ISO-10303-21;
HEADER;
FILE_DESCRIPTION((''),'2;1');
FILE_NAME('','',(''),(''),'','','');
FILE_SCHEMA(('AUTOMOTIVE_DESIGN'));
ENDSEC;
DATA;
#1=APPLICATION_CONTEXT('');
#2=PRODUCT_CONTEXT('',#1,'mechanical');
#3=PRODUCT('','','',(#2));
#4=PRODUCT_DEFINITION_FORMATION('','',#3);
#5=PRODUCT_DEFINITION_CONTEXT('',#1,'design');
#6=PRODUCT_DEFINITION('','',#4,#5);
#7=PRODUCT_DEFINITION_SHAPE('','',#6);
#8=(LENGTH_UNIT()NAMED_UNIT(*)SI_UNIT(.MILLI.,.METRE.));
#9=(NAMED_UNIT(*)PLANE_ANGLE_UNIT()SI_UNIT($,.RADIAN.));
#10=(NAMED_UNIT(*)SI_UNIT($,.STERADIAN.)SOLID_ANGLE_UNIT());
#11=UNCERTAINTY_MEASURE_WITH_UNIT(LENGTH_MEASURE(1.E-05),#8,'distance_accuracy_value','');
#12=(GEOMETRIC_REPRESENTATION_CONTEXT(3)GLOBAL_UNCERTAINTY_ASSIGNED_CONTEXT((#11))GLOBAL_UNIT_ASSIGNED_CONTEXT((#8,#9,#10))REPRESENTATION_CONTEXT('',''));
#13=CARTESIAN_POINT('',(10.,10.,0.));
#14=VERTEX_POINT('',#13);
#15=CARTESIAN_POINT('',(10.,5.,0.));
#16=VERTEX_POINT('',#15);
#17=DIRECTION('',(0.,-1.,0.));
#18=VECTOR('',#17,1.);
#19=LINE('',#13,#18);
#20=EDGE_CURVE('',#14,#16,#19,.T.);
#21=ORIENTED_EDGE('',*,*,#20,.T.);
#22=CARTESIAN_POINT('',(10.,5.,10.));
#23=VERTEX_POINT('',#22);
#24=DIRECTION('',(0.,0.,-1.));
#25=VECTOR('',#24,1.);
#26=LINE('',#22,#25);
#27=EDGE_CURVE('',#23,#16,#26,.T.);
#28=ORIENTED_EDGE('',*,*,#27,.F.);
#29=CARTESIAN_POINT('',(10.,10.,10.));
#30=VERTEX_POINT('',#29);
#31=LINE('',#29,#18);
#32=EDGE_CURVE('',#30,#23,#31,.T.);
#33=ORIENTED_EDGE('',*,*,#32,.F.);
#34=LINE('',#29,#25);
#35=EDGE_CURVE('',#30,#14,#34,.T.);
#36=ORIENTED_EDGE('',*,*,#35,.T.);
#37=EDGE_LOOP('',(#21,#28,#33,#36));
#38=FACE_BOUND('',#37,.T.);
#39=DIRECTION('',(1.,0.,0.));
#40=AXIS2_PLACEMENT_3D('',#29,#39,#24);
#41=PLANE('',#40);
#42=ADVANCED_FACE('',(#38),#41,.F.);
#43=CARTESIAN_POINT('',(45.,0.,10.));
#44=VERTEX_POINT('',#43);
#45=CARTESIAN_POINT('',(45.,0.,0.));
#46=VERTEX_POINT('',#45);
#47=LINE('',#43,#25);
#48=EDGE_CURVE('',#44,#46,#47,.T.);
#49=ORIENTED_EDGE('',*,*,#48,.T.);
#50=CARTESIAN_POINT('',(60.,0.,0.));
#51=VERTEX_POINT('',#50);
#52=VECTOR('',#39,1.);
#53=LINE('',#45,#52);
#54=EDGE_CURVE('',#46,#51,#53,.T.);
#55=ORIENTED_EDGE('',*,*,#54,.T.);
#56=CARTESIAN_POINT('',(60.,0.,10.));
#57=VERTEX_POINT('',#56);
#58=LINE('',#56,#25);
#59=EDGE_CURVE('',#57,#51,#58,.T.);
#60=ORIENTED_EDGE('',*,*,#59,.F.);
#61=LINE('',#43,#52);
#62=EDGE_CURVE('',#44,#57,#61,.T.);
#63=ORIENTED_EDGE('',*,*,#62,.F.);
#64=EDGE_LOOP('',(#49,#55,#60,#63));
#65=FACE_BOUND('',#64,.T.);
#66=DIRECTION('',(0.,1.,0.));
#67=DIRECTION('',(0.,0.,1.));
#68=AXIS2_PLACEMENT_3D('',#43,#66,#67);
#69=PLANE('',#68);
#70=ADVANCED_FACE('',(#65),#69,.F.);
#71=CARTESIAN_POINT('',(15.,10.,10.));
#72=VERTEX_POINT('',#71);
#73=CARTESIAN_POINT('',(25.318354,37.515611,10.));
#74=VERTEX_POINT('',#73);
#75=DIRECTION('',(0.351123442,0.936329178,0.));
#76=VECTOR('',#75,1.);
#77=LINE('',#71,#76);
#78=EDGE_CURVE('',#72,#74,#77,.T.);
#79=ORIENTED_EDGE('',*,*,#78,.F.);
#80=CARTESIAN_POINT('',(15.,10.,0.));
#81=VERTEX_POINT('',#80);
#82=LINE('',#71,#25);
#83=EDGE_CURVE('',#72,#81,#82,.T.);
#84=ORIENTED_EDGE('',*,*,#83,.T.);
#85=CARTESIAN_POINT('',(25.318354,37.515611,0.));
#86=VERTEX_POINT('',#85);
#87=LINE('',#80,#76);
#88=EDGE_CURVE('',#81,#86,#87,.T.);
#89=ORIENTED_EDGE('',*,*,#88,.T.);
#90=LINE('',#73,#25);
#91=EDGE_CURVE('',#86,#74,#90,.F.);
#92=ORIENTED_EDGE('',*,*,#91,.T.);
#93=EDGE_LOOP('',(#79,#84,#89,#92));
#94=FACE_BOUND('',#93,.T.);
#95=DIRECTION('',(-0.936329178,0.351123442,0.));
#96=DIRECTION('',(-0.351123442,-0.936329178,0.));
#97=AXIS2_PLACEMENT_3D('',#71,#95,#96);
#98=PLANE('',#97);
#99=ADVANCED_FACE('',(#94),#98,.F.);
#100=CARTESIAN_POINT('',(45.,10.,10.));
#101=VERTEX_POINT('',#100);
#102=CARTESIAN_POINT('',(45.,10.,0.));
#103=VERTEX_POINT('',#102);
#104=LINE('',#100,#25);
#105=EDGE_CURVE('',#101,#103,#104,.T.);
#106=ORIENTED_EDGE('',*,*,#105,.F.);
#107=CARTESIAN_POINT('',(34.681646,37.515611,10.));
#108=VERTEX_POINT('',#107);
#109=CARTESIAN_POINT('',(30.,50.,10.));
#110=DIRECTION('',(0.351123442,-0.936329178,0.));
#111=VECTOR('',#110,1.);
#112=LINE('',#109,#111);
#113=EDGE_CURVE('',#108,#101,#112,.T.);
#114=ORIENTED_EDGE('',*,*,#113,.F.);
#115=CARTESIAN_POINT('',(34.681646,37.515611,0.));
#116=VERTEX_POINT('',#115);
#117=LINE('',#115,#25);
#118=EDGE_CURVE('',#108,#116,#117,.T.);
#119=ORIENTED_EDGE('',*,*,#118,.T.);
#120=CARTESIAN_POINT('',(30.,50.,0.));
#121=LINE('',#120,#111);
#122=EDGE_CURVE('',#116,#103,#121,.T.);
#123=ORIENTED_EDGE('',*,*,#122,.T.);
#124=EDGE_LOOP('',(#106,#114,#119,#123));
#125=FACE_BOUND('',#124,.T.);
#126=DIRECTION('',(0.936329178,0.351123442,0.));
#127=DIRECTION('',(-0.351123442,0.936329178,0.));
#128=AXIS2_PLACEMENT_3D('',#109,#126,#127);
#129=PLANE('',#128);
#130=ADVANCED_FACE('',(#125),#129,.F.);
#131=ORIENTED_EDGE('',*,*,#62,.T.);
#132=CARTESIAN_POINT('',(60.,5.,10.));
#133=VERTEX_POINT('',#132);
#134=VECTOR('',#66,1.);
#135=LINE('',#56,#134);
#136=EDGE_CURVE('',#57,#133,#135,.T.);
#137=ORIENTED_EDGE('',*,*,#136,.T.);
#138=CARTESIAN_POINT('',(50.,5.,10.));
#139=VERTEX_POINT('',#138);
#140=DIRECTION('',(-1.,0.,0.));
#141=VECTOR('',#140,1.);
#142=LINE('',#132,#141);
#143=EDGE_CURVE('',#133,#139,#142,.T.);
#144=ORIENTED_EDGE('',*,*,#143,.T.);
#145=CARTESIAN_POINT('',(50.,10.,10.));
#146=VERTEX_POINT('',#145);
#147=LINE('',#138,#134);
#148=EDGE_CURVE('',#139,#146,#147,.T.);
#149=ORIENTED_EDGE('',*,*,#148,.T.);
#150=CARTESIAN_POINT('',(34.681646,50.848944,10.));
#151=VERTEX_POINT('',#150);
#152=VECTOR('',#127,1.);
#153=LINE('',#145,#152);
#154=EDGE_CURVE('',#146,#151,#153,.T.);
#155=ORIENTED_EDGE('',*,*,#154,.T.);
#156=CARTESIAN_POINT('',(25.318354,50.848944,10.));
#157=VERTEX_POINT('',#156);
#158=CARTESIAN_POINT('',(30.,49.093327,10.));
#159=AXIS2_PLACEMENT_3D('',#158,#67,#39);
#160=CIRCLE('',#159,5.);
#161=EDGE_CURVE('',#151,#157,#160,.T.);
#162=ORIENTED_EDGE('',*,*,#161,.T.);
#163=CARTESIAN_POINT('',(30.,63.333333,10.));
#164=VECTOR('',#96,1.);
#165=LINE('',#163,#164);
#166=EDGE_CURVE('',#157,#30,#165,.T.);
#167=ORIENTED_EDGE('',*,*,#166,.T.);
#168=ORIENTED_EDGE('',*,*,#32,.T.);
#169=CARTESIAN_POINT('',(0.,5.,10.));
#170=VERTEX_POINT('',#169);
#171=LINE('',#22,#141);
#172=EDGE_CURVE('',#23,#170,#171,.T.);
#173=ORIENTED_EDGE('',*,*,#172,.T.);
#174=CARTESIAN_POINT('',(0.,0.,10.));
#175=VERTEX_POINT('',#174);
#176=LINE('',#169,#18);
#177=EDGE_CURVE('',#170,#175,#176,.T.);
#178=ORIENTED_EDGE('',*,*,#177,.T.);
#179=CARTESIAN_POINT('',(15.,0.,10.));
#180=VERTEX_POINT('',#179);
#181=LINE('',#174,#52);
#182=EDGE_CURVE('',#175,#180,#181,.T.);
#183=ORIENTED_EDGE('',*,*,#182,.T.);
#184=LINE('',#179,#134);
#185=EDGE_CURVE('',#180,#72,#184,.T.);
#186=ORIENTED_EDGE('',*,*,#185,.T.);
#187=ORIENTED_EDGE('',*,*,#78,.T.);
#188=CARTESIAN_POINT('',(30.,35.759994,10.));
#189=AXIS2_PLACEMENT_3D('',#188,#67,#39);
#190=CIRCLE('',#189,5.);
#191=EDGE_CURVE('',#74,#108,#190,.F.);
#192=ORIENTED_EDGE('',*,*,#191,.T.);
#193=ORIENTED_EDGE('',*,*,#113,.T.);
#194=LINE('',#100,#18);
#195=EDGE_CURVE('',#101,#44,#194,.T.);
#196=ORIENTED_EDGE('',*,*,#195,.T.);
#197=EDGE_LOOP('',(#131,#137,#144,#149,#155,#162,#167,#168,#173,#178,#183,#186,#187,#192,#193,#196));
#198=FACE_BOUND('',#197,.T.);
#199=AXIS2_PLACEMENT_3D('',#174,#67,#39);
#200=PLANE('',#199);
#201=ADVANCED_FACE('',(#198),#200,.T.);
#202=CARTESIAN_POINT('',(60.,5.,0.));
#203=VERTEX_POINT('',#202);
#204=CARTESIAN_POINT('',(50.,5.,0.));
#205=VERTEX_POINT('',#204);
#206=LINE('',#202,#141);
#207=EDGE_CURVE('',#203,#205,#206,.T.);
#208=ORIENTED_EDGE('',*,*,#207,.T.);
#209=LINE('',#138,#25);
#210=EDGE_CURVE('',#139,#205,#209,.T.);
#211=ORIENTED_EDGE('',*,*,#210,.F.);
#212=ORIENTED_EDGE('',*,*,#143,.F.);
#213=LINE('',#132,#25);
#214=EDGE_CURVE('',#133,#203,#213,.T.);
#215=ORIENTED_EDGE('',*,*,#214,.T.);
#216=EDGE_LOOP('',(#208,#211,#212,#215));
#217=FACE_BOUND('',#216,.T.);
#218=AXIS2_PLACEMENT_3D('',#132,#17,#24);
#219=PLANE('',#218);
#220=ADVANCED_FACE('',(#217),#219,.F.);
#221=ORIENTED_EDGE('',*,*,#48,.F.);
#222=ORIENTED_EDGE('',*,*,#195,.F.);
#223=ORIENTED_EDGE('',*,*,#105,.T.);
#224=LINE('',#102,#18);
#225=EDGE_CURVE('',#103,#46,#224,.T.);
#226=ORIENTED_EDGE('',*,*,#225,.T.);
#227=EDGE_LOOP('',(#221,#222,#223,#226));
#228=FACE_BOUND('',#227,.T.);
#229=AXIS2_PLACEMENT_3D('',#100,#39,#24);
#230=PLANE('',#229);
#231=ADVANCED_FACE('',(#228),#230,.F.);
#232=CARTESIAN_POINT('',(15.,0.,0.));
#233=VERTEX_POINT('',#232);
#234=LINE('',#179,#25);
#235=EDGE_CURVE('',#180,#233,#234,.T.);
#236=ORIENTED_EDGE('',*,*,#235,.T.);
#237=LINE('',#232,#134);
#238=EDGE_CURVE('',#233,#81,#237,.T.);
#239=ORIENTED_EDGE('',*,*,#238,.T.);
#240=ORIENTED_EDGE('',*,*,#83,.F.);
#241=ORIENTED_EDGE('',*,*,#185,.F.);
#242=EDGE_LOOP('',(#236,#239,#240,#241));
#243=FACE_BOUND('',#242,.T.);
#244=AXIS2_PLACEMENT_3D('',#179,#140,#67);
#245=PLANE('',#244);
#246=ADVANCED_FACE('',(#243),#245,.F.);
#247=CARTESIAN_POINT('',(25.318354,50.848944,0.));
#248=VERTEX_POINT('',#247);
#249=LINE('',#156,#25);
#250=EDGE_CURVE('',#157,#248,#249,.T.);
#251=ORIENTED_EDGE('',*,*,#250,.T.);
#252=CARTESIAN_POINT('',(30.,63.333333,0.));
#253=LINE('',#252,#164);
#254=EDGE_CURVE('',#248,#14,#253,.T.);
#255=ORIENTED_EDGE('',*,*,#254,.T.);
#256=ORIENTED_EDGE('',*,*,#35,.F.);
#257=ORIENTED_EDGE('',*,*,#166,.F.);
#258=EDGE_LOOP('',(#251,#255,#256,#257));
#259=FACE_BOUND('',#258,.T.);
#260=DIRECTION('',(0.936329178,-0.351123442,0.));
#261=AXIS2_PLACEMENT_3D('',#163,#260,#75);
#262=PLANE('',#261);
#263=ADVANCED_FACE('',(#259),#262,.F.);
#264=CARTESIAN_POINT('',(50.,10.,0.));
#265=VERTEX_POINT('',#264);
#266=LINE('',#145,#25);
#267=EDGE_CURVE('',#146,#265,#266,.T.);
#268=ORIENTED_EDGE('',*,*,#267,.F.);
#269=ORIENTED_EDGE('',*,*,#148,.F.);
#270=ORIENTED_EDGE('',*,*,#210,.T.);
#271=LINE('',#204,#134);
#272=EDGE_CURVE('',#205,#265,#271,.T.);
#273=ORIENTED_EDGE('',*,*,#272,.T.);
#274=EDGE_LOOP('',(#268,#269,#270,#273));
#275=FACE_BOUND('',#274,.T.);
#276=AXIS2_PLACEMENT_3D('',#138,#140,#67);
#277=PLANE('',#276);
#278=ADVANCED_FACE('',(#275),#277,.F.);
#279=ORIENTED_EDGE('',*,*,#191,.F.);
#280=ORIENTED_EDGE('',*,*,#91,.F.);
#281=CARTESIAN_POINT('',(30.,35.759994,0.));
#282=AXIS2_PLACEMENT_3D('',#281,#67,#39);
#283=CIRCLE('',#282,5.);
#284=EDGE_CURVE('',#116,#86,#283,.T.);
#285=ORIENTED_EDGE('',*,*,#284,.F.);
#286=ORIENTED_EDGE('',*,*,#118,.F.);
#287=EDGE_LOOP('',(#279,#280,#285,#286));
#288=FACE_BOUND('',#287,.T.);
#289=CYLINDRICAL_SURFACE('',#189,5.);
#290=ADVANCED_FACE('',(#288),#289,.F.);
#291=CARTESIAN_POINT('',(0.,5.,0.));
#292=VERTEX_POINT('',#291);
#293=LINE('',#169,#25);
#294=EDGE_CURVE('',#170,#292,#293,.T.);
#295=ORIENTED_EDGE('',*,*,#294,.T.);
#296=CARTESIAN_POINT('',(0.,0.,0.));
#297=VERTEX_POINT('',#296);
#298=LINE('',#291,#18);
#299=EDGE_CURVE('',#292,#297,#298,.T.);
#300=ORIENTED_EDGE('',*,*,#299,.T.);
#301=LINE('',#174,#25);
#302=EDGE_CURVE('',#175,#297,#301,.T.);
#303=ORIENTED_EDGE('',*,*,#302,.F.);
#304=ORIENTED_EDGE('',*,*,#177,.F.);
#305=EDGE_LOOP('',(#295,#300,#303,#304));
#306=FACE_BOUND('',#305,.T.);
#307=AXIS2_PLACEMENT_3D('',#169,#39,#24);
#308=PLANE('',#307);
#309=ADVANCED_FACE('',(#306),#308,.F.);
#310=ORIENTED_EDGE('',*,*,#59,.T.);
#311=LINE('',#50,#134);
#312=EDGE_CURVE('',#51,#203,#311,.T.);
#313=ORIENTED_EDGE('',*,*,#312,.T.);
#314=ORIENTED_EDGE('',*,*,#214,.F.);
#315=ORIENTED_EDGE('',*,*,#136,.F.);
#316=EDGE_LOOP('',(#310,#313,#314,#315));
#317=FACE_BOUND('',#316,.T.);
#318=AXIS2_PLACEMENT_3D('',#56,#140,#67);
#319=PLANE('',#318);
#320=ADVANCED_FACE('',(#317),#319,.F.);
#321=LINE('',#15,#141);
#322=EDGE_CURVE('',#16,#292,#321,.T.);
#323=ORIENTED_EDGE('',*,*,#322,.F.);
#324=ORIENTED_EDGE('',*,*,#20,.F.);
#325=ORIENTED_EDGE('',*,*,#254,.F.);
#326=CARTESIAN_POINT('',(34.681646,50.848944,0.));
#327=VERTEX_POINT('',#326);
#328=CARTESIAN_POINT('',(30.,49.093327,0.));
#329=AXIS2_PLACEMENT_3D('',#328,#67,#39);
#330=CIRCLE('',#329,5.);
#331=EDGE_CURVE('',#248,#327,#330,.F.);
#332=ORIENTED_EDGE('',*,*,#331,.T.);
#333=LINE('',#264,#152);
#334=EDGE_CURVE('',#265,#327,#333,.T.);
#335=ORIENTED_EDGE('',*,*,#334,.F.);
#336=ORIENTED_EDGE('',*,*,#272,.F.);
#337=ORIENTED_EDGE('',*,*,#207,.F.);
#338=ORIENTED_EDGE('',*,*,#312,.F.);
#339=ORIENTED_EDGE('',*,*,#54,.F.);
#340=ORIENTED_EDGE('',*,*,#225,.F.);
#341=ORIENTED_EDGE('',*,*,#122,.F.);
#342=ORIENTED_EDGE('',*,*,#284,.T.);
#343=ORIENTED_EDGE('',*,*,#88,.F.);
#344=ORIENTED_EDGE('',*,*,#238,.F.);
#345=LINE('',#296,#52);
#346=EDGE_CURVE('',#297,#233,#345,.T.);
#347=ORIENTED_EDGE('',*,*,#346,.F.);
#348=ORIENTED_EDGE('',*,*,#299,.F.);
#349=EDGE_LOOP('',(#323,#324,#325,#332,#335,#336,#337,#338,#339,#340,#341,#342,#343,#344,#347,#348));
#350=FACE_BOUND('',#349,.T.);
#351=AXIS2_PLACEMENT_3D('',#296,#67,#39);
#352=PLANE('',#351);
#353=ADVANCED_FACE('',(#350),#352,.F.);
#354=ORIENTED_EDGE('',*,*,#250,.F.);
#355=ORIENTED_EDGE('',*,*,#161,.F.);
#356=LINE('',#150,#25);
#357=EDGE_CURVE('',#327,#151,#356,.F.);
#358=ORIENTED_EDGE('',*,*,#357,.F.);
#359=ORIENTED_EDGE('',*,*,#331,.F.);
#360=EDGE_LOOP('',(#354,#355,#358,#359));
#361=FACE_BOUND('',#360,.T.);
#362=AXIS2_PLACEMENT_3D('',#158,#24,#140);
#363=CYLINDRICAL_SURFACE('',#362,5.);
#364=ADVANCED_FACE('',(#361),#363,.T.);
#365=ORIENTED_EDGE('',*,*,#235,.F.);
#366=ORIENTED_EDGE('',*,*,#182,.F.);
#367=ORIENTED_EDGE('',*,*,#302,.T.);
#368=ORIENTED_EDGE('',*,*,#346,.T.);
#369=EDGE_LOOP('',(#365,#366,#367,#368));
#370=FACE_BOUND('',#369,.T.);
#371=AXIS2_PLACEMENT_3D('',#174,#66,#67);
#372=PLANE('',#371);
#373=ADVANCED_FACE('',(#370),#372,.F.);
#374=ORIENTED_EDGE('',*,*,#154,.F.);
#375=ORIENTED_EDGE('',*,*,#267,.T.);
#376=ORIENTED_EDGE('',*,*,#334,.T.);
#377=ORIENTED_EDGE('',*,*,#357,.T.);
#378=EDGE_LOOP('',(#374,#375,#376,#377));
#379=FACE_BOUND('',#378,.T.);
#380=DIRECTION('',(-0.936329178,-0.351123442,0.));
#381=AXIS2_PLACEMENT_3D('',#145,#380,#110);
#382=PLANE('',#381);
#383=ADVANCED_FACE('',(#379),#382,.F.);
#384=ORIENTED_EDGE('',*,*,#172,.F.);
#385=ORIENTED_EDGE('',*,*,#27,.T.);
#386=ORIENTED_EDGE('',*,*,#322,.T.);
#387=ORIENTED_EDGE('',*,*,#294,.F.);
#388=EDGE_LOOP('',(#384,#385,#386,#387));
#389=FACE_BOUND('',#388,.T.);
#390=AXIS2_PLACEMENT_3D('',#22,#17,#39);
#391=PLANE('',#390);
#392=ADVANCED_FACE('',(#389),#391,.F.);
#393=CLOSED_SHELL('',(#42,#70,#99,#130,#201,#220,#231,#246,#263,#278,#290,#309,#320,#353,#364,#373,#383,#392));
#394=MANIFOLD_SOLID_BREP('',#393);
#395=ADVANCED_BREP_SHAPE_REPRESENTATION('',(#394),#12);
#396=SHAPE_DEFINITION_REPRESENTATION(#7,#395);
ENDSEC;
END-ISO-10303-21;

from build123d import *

# Parameters (mm, degrees)
BOSS_EXTRUDE1_DEPTH = 10
FILLET1_R           = 5
FILLET2_R           = 5


with BuildPart() as part:
    # Sketch1 → Boss-Extrude1 (new body)
    with BuildSketch(Plane.XY):
        Polygon((0, 0), (15, 0), (15, 10), (30, 50), (45, 10), (45, 0), (60, 0), (60, 5), (50, 5), (50, 10), (30, 63.333333333), (10, 10), (10, 5), (0, 5), align=None)
    extrude(amount=BOSS_EXTRUDE1_DEPTH)

    # Fillet1
    fillet1_edges = [part.edges().sort_by_distance(p)[0] for p in [
        (30, 50, 5),
    ]]
    fillet(fillet1_edges, radius=FILLET1_R)

    # Fillet2
    fillet2_edges = [part.edges().sort_by_distance(p)[0] for p in [
        (30, 63.333333333, 5),
    ]]
    fillet(fillet2_edges, radius=FILLET2_R)


solid = part.part
